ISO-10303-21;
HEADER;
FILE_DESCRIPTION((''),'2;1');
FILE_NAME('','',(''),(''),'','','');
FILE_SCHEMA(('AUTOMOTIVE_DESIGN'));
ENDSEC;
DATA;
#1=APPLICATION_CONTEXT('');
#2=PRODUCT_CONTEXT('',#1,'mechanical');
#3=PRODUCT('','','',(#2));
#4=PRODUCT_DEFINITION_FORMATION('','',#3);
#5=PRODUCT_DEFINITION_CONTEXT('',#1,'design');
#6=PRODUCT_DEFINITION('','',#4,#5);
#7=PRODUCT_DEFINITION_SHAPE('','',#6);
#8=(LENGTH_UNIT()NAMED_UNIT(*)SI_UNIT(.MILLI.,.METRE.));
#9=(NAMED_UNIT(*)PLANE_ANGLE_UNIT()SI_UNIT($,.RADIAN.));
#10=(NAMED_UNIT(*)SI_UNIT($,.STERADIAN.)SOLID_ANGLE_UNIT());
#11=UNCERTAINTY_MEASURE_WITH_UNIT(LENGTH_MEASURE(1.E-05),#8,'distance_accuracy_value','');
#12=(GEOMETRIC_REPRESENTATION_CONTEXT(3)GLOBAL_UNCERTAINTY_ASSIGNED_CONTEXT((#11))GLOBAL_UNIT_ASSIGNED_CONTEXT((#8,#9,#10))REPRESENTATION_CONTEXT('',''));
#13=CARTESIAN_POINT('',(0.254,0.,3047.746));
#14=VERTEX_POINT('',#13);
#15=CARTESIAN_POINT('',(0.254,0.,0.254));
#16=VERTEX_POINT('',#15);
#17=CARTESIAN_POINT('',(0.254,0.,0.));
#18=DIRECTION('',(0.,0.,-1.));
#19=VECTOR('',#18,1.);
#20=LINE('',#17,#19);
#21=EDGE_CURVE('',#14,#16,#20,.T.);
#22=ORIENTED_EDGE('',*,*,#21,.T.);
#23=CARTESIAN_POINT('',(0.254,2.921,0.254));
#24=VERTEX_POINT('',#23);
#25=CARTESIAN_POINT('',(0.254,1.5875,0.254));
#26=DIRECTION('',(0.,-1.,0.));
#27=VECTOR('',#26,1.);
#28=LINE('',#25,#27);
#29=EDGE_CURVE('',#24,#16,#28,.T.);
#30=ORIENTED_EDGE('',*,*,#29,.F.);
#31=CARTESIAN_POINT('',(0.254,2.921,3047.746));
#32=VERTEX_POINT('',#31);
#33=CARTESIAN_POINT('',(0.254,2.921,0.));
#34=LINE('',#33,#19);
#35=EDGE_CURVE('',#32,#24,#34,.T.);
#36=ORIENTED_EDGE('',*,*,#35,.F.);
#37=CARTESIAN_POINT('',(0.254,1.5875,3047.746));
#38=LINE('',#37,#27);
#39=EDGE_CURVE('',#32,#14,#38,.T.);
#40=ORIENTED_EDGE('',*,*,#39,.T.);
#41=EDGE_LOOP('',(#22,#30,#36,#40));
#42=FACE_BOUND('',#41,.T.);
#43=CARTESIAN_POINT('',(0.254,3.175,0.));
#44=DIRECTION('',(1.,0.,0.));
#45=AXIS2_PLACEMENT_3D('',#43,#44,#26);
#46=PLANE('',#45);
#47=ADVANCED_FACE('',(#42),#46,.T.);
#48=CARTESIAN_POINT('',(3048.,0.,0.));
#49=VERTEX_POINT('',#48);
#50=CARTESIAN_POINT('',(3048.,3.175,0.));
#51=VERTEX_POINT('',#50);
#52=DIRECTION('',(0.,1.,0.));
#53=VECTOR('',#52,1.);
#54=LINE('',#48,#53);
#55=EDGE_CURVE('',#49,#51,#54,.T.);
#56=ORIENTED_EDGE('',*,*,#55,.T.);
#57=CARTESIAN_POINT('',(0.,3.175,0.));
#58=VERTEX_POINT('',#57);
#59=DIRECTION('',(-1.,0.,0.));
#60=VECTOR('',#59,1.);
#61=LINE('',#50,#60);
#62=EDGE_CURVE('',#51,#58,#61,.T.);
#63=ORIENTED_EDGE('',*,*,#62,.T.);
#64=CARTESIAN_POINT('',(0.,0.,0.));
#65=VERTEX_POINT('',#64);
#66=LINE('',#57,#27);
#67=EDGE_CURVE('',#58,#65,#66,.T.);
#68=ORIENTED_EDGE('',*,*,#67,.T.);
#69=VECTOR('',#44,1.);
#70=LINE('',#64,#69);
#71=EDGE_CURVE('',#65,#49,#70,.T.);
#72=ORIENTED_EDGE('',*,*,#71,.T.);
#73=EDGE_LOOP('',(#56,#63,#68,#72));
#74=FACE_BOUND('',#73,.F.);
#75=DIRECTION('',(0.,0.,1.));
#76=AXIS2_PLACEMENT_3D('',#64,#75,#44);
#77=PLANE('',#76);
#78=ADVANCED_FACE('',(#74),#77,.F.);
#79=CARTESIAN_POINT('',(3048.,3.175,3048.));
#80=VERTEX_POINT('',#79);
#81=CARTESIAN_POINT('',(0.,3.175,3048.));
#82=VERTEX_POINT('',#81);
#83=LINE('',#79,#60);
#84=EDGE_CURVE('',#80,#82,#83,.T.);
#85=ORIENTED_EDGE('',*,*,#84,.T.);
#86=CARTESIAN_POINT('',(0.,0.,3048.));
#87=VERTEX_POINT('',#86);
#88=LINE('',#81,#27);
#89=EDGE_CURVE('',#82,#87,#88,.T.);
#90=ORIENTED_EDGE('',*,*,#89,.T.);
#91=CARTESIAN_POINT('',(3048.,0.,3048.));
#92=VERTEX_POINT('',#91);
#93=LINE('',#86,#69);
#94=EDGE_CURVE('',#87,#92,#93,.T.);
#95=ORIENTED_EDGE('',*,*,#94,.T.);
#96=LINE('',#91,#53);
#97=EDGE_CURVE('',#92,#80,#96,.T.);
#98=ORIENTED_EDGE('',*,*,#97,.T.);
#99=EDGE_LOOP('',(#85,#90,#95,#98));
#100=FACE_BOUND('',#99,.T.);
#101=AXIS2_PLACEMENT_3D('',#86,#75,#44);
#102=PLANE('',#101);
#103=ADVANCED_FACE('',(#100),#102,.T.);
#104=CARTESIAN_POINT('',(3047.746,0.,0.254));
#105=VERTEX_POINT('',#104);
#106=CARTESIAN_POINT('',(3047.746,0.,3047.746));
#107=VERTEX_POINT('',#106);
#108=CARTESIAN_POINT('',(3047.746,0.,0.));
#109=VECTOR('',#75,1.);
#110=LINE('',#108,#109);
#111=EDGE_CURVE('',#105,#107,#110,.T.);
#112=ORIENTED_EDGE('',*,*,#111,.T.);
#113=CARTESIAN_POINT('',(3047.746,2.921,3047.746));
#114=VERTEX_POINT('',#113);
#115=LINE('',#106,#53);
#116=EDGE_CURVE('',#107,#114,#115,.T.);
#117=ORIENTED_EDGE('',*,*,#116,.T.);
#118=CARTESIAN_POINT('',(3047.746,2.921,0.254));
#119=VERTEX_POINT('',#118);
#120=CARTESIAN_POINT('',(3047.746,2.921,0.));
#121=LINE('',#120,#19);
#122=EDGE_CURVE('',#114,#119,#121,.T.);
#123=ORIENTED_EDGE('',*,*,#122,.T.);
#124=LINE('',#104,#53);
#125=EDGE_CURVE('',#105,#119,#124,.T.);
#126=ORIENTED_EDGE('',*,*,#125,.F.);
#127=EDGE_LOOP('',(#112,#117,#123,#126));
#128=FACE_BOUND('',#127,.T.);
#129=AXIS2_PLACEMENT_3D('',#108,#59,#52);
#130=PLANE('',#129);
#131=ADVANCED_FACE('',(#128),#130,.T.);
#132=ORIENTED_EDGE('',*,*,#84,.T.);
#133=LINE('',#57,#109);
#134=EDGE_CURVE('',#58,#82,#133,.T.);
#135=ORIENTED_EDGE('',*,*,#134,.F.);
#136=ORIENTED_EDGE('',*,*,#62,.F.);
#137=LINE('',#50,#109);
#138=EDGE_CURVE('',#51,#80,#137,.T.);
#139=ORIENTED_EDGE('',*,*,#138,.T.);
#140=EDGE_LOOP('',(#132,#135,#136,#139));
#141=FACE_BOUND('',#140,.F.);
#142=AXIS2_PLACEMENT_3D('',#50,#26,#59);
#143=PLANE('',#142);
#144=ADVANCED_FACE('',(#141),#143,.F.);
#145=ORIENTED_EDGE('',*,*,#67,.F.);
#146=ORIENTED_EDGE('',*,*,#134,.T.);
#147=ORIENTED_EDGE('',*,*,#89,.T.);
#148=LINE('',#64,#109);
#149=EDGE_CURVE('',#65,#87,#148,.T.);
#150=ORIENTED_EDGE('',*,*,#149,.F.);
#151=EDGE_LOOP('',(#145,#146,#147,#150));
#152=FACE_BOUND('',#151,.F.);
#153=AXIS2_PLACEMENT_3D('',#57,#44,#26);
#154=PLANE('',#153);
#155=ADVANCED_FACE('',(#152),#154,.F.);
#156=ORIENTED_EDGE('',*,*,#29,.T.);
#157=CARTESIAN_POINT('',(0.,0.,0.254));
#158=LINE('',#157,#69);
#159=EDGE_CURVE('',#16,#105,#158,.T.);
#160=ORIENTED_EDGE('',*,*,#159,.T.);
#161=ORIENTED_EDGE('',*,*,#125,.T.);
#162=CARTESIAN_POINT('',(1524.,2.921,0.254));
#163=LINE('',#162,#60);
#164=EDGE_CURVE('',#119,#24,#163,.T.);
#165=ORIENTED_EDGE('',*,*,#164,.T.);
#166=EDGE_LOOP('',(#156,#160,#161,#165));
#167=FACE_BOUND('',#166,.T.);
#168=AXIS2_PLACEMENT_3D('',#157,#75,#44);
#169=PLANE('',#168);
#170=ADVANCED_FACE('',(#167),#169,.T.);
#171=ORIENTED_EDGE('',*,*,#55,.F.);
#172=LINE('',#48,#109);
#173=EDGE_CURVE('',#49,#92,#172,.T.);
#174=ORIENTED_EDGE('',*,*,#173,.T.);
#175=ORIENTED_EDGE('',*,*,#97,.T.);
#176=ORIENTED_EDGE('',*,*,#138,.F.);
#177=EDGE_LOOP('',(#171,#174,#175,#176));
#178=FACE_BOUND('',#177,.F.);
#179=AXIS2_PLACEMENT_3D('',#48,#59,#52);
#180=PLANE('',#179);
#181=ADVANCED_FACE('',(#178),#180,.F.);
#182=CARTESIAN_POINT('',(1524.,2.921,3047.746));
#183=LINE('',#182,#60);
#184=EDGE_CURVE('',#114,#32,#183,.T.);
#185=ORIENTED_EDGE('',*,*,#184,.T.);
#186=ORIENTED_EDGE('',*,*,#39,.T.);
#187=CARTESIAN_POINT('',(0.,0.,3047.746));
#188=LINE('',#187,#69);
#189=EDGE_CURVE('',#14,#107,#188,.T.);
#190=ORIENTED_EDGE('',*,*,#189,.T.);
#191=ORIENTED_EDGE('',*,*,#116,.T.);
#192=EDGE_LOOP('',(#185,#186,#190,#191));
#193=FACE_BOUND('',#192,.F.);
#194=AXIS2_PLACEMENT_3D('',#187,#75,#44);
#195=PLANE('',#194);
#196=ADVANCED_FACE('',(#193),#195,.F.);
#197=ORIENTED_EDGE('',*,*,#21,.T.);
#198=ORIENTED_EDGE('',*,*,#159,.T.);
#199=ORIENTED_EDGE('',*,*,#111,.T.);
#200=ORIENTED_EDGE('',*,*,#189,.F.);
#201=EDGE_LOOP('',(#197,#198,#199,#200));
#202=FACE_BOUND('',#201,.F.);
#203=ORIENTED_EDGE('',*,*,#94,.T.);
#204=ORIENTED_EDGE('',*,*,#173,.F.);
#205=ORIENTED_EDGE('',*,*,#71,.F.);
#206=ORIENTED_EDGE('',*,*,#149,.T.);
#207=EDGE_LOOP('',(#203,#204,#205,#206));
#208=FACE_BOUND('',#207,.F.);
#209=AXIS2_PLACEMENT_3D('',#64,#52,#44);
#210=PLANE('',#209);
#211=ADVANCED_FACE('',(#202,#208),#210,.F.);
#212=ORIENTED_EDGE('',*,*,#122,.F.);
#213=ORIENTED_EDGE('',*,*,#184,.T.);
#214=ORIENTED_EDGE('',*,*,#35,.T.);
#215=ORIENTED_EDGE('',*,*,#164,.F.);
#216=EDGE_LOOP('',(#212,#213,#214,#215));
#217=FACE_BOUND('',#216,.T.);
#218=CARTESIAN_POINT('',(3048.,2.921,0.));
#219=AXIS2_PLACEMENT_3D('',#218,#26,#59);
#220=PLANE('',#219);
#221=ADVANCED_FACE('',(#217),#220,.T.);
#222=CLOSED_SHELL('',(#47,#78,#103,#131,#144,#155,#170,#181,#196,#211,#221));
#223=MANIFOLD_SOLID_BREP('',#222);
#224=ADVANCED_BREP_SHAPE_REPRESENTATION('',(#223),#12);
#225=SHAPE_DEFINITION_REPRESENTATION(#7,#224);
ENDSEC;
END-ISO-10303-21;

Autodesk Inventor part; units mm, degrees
ref_plane "YZ Plane" through (0, 0, 0) normal (1, 0, 0) x (0, 1, 0)
ref_plane "XZ Plane" through (0, 0, 0) normal (0, 1, 0) x (-1, 0, 0)
ref_plane "XY Plane" through (0, 0, 0) normal (0, 0, 1) x (1, 0, 0)
sketch "Sketch1" plane through (0, 0, 0) normal (0, 0, 1) x (1, 0, 0)
  line L0 (0, 0) -> (3048, 0)
  line L1 (3048, 0) -> (3048, 3.175)
  line L2 (3048, 3.175) -> (0, 3.175)
  line L3 (0, 3.175) -> (0, 0)
  dimension "d0" = 3048
  dimension "d1" = 3.175
extrude "Extrusion1" add sketch "Sketch1" along normal blind 3048
shell "Shell1" thickness 0.254 removed faces 1 at (1016, 0, 2032)
properties part number "Floor" material "Wood (Birch)"
